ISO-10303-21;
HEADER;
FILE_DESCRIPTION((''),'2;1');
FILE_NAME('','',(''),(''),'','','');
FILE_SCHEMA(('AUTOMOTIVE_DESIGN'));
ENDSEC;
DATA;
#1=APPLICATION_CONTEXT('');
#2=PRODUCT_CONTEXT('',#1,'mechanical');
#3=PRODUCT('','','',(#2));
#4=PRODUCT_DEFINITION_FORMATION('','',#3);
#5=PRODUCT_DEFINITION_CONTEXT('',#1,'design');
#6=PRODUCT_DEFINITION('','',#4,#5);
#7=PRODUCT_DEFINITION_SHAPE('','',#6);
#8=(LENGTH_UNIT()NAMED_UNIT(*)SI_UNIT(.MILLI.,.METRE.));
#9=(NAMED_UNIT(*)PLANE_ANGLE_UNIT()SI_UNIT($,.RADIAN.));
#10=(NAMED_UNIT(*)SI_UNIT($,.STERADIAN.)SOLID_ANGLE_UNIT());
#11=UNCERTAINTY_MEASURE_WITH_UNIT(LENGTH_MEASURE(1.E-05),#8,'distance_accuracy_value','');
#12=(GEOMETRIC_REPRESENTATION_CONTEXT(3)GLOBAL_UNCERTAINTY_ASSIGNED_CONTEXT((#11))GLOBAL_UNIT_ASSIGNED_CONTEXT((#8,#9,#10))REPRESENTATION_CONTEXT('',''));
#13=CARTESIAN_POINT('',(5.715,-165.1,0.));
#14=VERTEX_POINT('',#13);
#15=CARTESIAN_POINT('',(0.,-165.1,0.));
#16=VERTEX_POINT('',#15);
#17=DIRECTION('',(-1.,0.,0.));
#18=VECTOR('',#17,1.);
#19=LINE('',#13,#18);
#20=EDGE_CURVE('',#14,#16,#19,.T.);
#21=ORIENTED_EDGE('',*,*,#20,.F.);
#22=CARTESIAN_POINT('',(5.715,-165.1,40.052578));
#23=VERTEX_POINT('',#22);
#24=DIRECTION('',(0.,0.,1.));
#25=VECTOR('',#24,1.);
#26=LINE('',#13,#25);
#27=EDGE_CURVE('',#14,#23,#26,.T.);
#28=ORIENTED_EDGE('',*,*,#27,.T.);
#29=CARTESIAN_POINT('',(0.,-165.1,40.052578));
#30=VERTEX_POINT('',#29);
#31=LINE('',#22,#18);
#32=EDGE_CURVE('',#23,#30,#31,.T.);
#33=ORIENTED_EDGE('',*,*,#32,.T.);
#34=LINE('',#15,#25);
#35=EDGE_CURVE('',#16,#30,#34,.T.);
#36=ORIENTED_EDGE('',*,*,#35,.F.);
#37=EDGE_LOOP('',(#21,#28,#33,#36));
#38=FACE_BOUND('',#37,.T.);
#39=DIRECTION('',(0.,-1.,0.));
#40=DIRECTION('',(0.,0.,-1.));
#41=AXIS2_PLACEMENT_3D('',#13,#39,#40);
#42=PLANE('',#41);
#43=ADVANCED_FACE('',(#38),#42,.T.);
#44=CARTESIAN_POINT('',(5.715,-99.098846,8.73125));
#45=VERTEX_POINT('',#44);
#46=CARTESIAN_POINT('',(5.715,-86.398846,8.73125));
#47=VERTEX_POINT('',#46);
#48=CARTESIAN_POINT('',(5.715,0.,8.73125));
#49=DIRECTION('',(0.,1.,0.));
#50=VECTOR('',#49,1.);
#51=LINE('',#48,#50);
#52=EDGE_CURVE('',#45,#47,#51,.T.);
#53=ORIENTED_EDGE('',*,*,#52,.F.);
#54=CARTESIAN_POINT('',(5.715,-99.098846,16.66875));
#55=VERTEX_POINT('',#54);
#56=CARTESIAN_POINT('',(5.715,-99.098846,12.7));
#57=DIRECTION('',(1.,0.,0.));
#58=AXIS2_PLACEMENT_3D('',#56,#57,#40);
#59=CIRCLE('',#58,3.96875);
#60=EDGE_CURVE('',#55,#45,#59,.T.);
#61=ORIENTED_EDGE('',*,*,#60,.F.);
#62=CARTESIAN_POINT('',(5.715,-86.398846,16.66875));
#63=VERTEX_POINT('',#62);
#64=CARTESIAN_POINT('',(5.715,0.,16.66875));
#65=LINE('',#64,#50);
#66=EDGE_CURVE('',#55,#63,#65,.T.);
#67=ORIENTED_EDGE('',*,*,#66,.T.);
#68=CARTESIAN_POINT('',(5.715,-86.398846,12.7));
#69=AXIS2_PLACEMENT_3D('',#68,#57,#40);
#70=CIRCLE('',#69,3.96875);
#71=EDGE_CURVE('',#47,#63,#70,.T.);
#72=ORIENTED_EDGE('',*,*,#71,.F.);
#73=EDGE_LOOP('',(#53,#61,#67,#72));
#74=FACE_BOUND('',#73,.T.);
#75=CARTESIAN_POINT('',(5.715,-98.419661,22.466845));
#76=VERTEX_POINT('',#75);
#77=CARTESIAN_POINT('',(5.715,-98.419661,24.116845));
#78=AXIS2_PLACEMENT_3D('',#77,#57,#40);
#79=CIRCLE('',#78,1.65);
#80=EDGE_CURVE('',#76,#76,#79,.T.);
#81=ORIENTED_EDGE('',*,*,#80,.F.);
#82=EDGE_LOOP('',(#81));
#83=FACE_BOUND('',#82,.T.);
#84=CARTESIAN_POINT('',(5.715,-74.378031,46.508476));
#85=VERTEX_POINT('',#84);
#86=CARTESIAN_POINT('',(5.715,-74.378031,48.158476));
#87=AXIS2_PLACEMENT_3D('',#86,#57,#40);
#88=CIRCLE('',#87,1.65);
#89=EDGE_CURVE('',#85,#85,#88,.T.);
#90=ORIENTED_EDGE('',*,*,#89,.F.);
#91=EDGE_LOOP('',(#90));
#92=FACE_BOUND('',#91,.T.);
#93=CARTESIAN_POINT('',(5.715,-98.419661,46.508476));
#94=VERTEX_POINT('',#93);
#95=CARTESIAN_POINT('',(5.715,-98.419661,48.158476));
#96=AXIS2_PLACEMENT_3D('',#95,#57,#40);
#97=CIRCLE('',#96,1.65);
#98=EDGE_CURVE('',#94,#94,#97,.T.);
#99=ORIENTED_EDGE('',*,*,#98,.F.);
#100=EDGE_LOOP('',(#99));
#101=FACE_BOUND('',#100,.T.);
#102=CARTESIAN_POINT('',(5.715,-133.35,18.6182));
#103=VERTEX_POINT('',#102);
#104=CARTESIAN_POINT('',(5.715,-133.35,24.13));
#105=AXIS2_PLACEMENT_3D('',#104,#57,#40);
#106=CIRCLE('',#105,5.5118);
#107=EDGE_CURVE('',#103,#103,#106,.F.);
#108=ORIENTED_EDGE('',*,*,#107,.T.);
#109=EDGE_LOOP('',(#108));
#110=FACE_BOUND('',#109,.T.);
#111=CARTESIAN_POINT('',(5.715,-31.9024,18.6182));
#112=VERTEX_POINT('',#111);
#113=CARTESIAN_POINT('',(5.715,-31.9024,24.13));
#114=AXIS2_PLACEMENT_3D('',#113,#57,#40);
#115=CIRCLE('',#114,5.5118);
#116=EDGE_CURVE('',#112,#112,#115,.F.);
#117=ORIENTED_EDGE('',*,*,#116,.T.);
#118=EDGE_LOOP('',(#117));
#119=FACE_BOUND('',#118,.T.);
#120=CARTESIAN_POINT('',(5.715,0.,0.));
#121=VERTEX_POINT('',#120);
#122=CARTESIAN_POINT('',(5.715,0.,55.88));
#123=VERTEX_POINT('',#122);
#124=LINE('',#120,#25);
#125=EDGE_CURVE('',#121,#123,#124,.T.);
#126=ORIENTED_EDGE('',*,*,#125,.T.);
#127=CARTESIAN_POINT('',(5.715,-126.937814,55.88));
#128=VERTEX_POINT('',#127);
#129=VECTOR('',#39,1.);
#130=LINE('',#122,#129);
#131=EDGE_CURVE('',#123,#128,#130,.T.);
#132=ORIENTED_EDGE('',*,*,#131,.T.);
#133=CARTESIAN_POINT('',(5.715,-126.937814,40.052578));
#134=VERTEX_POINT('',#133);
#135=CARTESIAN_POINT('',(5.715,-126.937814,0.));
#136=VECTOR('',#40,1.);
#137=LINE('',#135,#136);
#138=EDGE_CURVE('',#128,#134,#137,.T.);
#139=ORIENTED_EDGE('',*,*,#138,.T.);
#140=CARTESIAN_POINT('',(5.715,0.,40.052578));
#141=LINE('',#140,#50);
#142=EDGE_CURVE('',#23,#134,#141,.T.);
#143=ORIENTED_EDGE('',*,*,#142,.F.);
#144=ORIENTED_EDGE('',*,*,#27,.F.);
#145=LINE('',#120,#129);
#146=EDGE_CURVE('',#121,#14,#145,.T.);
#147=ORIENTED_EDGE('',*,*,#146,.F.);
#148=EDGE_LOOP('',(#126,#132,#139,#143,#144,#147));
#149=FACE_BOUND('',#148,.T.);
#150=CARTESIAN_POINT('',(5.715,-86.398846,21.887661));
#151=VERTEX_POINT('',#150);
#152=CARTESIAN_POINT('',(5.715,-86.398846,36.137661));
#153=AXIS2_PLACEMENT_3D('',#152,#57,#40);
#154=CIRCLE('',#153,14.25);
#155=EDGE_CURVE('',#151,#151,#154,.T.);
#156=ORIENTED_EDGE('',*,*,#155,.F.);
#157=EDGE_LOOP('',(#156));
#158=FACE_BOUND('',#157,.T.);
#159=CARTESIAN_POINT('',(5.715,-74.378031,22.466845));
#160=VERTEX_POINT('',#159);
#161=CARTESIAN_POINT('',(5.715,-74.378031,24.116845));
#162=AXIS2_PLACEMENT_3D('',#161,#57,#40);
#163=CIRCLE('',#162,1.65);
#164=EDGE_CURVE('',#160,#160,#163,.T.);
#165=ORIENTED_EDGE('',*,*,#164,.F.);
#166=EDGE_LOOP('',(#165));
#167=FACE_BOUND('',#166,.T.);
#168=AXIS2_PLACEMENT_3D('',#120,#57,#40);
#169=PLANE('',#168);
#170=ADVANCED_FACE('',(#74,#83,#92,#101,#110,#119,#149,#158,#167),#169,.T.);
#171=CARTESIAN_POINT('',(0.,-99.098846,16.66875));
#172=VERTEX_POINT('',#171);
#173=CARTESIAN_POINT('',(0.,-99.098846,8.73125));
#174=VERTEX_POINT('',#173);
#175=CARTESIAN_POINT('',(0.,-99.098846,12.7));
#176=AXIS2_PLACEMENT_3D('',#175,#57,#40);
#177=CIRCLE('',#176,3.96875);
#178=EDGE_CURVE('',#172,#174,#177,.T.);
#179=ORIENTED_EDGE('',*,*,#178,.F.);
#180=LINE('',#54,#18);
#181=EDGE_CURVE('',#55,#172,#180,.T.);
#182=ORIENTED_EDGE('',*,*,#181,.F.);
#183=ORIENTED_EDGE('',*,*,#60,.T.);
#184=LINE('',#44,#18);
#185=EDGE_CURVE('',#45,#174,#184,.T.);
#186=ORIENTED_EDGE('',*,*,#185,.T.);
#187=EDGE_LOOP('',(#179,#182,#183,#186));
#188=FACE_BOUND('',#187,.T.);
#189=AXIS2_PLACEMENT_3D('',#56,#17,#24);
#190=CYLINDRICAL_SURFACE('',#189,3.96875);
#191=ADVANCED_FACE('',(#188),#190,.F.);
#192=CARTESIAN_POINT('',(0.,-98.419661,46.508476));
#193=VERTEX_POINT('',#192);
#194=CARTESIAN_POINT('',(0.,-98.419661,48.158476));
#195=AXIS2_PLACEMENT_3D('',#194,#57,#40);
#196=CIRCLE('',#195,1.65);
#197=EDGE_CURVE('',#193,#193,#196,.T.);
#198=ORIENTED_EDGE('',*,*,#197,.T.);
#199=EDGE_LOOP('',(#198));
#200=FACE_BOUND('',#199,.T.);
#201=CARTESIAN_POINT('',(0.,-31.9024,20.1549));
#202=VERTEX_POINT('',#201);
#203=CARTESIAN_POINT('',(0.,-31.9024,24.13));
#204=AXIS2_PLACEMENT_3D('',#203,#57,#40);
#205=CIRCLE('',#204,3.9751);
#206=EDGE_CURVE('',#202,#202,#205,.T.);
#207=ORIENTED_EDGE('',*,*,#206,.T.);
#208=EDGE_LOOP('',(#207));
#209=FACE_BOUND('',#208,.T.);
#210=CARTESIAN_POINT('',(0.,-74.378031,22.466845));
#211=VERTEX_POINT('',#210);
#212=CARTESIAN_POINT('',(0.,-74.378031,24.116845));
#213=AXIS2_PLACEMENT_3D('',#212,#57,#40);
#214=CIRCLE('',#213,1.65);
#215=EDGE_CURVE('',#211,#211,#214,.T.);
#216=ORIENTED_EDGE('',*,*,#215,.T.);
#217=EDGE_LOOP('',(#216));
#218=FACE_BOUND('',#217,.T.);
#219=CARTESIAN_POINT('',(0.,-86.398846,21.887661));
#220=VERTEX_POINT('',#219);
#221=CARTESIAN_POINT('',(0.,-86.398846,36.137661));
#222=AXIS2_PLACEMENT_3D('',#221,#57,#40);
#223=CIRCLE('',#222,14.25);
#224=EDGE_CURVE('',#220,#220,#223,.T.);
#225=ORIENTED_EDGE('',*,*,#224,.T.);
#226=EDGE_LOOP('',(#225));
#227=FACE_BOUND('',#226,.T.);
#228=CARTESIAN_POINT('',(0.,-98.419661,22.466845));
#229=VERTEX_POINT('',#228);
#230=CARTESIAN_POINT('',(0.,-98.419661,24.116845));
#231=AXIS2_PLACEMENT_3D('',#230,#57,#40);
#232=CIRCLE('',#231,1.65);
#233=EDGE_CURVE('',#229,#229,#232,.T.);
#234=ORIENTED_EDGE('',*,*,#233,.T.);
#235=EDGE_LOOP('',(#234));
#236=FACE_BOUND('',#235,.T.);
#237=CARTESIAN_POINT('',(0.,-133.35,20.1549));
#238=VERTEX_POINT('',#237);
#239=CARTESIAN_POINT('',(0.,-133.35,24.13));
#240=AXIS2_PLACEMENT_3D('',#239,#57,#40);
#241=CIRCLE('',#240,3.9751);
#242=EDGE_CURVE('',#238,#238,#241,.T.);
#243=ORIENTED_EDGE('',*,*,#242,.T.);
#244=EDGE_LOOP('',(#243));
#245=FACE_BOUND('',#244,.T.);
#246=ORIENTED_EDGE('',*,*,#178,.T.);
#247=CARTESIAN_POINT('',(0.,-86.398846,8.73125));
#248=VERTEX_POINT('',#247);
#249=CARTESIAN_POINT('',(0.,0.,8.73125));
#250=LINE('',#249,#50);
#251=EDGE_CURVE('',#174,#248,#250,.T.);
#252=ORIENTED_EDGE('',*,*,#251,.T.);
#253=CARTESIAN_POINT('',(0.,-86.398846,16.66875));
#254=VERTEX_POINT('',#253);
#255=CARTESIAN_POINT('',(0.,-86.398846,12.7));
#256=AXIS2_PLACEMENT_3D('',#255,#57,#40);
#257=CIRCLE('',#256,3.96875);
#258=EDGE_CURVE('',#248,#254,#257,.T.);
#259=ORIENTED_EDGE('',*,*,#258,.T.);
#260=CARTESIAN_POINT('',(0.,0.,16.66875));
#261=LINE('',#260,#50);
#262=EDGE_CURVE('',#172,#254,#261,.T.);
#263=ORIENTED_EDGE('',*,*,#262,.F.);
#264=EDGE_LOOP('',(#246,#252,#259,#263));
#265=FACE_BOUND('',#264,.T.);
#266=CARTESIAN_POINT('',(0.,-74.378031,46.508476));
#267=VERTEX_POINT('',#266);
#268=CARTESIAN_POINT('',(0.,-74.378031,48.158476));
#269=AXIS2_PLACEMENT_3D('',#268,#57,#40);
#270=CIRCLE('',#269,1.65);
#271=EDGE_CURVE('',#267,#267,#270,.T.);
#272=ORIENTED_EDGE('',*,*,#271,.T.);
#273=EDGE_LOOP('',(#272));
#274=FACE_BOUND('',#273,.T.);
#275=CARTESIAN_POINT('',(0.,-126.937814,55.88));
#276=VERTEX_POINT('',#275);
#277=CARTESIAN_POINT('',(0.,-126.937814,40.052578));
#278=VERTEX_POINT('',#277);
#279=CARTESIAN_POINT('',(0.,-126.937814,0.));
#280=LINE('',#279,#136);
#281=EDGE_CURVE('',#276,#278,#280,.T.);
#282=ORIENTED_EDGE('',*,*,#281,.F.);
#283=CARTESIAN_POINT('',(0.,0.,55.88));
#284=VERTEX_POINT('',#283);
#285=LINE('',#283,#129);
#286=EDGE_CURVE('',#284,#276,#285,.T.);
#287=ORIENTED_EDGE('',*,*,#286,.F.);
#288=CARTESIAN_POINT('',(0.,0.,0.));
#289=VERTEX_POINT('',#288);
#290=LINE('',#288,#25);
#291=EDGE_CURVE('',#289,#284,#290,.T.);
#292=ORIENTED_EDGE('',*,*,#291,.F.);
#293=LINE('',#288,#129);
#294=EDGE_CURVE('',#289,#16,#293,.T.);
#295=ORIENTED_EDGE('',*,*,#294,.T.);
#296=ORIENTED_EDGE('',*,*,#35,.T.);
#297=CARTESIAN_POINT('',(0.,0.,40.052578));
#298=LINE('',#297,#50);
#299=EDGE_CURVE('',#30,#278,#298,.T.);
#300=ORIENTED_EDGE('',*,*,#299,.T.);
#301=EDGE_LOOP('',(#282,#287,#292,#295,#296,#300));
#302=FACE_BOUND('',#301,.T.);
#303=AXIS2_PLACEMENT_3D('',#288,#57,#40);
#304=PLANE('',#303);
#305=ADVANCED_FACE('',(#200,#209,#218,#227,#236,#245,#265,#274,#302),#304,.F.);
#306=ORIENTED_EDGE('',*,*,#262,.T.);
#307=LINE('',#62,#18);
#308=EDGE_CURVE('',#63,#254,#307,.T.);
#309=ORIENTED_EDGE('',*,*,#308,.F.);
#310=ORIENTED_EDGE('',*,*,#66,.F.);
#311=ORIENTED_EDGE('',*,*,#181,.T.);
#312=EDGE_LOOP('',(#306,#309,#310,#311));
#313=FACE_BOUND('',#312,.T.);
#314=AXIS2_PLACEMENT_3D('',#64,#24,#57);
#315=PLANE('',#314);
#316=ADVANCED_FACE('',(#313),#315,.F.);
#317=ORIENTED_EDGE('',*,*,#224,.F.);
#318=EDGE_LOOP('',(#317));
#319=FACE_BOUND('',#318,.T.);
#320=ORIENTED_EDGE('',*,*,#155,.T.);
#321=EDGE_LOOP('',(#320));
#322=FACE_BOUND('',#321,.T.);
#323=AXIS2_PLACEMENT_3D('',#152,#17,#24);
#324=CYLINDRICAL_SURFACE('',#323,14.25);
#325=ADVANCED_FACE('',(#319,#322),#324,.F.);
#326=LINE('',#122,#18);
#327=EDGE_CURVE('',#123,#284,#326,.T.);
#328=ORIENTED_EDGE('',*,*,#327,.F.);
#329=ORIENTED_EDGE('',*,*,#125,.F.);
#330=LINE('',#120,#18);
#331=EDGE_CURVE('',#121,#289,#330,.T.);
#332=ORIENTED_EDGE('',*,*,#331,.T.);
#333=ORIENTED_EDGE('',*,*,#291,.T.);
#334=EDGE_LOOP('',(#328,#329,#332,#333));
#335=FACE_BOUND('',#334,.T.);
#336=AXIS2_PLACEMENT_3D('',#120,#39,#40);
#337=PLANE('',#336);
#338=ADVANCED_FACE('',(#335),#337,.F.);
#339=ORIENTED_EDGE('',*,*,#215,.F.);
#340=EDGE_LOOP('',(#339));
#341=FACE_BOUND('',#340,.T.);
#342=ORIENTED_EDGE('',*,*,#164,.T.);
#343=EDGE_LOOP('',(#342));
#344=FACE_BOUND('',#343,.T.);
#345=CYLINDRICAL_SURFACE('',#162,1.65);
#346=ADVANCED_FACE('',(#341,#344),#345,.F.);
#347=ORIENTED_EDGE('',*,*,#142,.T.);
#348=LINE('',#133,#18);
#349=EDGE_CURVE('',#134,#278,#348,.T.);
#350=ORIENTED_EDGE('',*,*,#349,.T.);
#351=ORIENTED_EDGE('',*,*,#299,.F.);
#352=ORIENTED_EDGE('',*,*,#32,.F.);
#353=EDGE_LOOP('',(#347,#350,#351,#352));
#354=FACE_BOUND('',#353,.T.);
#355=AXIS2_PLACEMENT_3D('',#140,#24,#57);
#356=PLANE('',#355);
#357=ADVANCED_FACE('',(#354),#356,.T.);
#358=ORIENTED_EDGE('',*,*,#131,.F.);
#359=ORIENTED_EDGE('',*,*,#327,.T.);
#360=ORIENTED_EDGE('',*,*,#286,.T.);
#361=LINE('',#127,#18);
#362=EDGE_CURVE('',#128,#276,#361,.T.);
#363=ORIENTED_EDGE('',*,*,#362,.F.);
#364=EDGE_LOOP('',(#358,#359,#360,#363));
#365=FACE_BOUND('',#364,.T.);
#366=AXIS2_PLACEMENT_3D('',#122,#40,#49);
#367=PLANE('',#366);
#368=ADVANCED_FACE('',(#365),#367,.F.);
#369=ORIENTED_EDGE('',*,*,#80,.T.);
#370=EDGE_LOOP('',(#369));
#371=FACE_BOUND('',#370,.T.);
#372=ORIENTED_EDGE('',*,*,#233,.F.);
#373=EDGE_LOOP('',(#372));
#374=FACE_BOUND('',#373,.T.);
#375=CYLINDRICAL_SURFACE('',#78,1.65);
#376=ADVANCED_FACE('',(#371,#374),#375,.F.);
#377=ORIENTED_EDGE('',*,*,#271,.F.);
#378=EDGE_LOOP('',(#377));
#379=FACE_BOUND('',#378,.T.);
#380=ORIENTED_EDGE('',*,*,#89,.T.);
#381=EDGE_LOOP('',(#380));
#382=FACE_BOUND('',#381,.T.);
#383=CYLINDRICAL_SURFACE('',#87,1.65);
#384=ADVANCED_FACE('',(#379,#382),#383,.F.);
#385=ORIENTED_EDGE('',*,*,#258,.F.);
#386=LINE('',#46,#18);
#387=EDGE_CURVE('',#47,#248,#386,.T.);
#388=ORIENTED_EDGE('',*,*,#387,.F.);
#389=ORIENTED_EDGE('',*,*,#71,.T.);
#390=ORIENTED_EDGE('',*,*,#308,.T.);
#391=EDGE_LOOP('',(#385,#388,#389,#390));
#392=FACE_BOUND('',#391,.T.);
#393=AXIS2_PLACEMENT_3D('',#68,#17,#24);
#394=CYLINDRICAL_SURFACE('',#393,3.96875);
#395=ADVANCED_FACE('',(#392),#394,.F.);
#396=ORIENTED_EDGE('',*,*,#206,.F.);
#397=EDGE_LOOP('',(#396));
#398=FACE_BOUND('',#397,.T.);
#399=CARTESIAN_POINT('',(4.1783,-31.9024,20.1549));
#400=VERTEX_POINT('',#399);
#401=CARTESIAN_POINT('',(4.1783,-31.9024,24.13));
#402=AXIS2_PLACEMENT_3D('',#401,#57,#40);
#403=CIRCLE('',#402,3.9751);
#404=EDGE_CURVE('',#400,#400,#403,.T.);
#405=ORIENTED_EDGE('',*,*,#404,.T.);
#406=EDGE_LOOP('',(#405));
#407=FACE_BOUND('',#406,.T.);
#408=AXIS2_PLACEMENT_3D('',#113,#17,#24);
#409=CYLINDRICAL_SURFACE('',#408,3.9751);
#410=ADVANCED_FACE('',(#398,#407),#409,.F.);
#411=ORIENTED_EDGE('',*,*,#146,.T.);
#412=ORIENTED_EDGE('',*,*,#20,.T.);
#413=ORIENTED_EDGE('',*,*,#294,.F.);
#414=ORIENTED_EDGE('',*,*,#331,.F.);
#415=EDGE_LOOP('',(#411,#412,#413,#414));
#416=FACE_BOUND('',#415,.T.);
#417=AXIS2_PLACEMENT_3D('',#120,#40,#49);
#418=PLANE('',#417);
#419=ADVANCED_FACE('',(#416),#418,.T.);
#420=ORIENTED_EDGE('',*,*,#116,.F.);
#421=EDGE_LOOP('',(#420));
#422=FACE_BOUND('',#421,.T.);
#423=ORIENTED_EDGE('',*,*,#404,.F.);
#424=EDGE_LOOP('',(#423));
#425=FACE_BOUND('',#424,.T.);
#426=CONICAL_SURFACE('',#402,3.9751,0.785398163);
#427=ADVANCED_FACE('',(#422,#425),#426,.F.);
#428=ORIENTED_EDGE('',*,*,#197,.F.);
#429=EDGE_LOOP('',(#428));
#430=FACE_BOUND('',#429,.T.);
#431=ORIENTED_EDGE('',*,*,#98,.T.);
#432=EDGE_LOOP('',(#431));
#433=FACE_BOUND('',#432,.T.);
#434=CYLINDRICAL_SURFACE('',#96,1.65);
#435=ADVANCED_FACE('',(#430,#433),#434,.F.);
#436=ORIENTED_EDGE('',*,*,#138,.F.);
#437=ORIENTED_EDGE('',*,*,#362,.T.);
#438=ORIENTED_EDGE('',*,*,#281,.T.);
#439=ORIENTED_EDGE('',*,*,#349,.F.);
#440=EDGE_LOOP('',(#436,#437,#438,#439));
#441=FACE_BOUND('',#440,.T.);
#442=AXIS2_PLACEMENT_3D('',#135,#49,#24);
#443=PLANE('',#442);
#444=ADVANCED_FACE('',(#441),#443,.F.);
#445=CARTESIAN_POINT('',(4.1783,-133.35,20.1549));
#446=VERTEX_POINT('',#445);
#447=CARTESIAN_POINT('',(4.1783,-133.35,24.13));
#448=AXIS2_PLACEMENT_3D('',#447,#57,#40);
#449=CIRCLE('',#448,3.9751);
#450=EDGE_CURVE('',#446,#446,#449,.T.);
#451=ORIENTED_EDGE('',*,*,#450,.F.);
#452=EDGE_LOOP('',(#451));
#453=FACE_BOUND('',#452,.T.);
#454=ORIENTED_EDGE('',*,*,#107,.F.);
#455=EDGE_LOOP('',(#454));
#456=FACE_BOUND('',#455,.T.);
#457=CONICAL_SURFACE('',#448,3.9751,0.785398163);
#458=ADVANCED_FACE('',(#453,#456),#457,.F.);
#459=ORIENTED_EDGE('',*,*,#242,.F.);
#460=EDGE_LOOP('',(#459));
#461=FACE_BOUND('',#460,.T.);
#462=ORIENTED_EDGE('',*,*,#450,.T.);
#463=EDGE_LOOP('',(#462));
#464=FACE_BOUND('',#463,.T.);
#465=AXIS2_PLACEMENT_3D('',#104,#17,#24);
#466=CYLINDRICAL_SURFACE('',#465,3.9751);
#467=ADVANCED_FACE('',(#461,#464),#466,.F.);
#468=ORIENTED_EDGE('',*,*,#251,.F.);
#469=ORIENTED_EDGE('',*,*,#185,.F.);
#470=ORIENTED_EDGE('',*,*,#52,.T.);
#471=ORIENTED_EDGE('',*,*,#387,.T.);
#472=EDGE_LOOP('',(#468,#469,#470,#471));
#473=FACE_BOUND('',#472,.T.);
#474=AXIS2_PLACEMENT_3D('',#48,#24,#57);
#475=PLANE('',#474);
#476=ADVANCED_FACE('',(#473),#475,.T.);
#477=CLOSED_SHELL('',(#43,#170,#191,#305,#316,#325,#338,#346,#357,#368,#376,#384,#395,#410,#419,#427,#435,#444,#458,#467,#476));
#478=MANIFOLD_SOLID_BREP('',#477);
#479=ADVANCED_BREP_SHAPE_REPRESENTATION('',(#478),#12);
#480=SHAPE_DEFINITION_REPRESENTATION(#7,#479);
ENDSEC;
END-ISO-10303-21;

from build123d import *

# Parameters (mm, degrees)
SKETCH1_R             = 3.9751
SKETCH1_R_2           = 14.249999948
BOSS_EXTRUDE1_DEPTH   = 5.715
M4X0_7_TAPPED_HOLE1_D = 3.3
CHAMFER1_SIZE         = 1.5367


with BuildPart() as part:
    # Sketch1 → Boss-Extrude1 (new body)
    with BuildSketch(Plane.YZ):
        Polygon((-165.1, 0), (0, 0), (0, 55.88), (-126.937814396, 55.88), (-126.937814396, 40.052578354), (-165.1, 40.052578354), align=None)
        with BuildLine():
            ThreePointArc((-99.098846149, 8.73125), (-103.067596149, 12.7), (-99.098846149, 16.66875))
            Line((-99.098846149, 16.66875), (-86.398846149, 16.66875))
            ThreePointArc((-86.398846149, 16.66875), (-82.430096149, 12.7), (-86.398846149, 8.73125))
            Line((-86.398846149, 8.73125), (-99.098846149, 8.73125))
        make_face(mode=Mode.SUBTRACT)
        with Locations(Location((-133.35, 24.13, 0), (0, 0, 270))):
            Circle(SKETCH1_R, mode=Mode.SUBTRACT)
        with Locations(Location((-31.9024, 24.13, 0), (0, 0, 270))):
            Circle(SKETCH1_R, mode=Mode.SUBTRACT)
        with Locations(Location((-86.398846149, 36.137660549, 0), (0, 0, 270))):
            Circle(SKETCH1_R_2, mode=Mode.SUBTRACT)
    extrude(amount=BOSS_EXTRUDE1_DEPTH)

    # M4x0.7 Tapped Hole1 (through all)
    with Locations(Plane(origin=(5.715, 0, 0), x_dir=(0, 0, -1), z_dir=(1, 0, 0))):
        with Locations((-48.158475855, -74.378030844), (-24.116845244, -74.378030844), (-24.116845244, -98.419661455), (-48.158475855, -98.419661455)):
            Hole(M4X0_7_TAPPED_HOLE1_D / 2)

    # Chamfer1
    chamfer1_edges = [part.edges().sort_by_distance(p)[0] for p in [
        (5.715, -31.9024, 28.1051),
        (5.715, -133.35, 28.1051),
    ]]
    chamfer(chamfer1_edges, length=CHAMFER1_SIZE)


solid = part.part
